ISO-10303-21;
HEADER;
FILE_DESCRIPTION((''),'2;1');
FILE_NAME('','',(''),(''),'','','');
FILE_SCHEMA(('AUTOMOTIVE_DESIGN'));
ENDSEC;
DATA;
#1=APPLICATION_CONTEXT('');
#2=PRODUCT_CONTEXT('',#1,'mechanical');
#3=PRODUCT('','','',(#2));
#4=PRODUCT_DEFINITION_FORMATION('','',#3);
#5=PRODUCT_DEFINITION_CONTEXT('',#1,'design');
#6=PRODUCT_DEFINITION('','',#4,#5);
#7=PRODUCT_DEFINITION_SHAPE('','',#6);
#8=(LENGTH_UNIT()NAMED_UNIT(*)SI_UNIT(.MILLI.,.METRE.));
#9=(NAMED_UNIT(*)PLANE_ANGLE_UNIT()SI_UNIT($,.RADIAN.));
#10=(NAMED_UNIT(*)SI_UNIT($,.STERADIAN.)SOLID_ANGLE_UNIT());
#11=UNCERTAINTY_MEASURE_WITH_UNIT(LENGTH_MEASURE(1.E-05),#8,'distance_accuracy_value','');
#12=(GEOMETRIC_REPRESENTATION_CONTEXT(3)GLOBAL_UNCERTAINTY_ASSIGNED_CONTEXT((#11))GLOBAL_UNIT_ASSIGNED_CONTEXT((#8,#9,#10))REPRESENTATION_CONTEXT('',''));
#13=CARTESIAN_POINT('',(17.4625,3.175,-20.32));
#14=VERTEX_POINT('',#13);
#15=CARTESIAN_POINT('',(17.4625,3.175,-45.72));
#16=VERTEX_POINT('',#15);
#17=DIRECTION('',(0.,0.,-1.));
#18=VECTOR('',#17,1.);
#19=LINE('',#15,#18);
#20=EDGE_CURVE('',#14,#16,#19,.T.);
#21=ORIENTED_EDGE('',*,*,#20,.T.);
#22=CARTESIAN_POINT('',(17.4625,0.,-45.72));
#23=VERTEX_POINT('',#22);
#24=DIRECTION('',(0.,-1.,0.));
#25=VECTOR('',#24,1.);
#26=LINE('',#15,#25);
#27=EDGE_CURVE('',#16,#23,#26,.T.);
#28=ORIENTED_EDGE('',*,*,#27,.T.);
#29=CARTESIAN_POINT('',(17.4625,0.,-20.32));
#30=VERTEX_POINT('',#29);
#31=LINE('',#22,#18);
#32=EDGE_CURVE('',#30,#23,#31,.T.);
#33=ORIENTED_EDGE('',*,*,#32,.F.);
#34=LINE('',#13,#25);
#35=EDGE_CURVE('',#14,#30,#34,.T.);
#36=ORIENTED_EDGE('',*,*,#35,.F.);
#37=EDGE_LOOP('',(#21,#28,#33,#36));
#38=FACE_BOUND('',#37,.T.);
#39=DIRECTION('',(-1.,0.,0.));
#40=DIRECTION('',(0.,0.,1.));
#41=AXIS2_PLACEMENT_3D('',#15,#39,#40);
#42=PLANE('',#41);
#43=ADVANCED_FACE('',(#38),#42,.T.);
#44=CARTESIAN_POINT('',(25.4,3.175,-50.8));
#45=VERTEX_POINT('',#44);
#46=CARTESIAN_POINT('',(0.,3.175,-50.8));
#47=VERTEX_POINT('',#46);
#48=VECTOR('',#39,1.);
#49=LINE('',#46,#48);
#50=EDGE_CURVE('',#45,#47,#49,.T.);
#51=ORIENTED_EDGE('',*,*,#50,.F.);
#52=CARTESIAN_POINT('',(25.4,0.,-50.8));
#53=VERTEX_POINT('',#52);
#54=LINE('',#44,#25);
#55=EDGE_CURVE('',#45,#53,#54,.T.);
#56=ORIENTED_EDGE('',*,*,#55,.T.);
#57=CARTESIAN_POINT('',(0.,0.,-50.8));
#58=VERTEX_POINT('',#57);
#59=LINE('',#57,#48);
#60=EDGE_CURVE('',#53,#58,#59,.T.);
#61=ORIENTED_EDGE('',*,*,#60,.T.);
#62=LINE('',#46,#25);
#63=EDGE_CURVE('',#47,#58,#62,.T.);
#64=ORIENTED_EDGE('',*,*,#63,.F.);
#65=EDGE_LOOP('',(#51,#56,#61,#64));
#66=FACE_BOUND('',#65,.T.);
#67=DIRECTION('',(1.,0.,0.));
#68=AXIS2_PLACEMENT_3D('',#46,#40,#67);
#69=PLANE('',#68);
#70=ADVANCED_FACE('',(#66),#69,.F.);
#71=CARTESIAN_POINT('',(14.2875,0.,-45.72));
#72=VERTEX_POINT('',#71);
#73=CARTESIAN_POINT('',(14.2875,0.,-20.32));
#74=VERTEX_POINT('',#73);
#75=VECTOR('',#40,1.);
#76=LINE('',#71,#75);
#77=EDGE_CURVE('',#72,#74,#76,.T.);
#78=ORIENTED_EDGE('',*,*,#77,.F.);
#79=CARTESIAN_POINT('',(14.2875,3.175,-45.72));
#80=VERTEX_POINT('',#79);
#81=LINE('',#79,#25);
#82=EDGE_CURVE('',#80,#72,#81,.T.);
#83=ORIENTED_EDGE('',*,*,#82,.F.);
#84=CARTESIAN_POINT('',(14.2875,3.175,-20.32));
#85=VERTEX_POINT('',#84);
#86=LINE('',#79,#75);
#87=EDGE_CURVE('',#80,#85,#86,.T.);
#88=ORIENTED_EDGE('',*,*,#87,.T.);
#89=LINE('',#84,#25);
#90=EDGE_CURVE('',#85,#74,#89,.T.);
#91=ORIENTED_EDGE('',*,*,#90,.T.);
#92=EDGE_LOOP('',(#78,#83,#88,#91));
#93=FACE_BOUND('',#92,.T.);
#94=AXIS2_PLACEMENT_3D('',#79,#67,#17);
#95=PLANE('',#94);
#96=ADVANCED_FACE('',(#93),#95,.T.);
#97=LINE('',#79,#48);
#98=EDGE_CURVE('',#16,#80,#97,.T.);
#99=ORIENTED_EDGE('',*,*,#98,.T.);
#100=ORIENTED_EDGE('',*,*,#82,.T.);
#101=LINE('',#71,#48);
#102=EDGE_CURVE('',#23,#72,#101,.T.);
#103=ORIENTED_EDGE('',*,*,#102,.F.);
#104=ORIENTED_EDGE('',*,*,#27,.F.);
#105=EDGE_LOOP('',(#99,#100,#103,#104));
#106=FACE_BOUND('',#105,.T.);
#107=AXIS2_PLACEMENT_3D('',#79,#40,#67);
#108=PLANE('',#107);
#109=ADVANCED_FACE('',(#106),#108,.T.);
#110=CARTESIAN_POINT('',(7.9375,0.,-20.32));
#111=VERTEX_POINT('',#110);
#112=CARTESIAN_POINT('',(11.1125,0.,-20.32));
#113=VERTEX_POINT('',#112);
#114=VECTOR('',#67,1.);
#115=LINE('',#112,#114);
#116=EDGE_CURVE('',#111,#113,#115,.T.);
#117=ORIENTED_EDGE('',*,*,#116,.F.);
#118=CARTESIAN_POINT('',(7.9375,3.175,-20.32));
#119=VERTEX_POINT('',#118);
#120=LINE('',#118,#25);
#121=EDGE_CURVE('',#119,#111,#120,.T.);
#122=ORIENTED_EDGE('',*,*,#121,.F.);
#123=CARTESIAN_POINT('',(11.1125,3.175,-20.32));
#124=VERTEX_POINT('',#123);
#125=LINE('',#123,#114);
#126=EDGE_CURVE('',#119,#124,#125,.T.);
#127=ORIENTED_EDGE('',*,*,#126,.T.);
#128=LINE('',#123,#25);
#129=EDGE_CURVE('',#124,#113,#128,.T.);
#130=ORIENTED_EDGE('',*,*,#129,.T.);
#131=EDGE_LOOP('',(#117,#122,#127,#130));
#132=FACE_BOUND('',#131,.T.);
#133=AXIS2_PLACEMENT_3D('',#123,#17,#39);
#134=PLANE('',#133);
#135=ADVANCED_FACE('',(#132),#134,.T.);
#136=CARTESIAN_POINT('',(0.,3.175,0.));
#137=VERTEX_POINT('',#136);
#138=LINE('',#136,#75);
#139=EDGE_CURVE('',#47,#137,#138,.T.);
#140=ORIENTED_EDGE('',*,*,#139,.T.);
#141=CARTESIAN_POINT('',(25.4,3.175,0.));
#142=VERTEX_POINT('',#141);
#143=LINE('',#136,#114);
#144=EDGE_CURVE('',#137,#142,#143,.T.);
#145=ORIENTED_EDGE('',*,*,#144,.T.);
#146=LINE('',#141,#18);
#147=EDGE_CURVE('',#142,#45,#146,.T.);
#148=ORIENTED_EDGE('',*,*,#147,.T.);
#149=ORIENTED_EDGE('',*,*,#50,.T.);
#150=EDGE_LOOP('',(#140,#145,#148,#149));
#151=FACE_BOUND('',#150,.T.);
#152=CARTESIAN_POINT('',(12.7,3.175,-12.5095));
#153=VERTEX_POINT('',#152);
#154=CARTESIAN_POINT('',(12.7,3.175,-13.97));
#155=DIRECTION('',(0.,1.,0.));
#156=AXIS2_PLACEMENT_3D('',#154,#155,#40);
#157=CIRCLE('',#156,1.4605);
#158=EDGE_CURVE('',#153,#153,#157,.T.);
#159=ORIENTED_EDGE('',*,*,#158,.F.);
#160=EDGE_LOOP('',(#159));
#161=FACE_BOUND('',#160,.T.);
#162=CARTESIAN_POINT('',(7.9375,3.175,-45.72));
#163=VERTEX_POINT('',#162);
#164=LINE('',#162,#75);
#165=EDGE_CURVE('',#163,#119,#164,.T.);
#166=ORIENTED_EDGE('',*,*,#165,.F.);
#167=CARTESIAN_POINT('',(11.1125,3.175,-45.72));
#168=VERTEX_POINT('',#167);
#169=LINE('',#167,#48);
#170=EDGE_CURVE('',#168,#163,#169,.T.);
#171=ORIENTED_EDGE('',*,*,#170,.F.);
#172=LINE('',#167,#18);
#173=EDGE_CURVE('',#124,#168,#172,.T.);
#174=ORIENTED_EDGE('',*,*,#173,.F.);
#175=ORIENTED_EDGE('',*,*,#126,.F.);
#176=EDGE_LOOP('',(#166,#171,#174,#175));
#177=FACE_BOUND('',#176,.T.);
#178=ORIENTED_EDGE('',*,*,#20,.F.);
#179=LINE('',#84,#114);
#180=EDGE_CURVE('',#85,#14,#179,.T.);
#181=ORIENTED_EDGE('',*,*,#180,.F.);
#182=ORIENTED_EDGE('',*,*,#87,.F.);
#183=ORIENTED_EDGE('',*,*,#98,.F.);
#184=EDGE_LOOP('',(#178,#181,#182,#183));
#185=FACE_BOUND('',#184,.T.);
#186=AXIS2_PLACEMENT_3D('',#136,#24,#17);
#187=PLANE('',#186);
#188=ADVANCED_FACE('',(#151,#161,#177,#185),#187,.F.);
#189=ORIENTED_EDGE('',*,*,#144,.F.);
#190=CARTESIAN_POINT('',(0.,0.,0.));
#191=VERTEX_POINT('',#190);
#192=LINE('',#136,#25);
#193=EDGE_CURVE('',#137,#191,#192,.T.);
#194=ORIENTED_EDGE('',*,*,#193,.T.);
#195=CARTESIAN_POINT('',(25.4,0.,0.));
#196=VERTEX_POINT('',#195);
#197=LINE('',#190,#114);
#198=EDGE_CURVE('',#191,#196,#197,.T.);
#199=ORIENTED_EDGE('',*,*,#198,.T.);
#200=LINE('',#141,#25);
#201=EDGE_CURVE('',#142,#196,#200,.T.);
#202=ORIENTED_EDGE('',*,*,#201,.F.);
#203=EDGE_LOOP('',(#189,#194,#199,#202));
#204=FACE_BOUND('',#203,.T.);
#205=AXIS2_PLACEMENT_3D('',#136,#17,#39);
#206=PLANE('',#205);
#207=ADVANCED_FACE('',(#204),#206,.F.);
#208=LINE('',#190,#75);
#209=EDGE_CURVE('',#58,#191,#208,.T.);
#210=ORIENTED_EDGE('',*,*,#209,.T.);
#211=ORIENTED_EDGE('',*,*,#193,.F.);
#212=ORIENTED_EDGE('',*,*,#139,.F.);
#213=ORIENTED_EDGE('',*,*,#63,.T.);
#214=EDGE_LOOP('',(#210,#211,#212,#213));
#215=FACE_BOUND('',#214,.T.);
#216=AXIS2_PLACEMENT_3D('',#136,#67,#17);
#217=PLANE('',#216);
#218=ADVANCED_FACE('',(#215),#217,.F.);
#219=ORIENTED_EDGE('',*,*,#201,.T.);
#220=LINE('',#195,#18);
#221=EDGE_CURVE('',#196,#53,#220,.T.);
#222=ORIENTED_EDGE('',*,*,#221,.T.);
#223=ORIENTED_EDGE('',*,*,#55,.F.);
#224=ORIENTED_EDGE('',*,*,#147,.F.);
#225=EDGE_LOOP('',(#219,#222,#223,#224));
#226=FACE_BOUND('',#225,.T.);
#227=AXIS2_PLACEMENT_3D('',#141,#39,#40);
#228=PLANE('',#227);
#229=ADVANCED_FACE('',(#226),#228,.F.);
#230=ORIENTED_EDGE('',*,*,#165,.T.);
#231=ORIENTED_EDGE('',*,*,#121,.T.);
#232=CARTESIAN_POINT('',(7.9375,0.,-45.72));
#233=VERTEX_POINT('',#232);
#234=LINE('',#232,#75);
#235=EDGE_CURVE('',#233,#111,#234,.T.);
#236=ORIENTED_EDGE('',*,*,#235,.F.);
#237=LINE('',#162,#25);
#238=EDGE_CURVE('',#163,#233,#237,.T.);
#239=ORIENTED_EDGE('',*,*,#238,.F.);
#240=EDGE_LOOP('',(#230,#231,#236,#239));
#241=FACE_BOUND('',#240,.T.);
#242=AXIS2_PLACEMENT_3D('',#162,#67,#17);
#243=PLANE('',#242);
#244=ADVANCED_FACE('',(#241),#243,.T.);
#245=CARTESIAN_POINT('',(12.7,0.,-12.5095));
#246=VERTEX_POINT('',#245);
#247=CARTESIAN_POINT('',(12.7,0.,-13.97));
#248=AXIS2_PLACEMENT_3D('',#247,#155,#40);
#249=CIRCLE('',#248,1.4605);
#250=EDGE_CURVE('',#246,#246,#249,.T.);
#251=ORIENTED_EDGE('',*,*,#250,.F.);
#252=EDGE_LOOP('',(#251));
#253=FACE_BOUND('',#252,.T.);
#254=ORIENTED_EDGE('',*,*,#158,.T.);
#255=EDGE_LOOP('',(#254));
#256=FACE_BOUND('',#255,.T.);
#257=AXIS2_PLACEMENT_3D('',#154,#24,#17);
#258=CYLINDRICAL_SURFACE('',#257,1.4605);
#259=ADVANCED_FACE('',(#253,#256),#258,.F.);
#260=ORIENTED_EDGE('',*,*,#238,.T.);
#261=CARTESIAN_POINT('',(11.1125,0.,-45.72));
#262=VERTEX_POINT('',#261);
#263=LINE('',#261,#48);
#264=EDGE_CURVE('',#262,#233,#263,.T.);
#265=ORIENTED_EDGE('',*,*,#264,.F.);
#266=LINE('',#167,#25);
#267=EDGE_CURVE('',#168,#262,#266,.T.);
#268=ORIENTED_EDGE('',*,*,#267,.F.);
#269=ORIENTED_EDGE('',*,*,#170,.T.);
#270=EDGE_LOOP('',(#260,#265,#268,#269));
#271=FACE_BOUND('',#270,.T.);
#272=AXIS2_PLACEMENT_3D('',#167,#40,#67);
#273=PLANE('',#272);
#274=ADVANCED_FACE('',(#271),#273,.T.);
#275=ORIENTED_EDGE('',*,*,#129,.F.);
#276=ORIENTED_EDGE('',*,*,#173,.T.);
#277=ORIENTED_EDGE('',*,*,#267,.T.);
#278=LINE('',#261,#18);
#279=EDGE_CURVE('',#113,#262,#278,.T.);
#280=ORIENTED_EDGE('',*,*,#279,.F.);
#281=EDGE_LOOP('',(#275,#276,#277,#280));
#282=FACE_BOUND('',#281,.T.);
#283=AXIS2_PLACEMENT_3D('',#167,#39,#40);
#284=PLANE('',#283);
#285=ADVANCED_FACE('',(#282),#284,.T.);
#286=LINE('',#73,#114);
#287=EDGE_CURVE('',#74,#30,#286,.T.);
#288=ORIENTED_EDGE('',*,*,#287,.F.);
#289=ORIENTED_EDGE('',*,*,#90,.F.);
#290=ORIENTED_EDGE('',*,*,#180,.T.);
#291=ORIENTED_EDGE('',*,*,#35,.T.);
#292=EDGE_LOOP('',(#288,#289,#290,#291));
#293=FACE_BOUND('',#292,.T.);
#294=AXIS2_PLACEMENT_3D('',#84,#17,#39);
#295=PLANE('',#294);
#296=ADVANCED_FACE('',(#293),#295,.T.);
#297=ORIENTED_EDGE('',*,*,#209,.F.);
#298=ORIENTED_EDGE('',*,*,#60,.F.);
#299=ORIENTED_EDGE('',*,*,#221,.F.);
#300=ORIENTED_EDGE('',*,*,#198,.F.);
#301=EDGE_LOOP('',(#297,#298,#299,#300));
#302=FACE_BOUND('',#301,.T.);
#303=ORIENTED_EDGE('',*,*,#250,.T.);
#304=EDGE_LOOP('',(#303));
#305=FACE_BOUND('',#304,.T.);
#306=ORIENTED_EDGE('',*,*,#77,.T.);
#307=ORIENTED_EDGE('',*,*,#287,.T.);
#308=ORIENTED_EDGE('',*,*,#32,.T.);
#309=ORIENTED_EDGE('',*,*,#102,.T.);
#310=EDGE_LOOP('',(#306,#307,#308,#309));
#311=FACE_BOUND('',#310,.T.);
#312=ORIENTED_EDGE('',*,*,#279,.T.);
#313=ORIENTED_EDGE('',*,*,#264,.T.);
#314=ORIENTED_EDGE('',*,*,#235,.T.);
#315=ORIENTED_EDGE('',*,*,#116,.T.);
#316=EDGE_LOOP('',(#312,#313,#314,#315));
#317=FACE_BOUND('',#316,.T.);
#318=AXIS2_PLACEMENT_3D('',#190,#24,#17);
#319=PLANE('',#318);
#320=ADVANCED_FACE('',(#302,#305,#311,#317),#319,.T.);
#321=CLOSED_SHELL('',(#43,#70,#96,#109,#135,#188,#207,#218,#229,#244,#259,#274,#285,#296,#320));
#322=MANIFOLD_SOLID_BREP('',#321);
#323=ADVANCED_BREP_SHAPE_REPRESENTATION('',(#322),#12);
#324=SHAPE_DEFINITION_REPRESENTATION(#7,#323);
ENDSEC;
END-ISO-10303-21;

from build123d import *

# Parameters (mm, degrees)
SKETCH1_W           = 25.4
SKETCH1_H           = 50.8
SKETCH1_R           = 1.4605
SKETCH1_W_2         = 3.175
SKETCH1_H_2         = 25.4
BOSS_EXTRUDE1_DEPTH = 3.175


with BuildPart() as part:
    # Sketch1 → Boss-Extrude1 (new body)
    with BuildSketch(Plane(origin=(0, 0, 0), x_dir=(1, 0, 0), z_dir=(0, 1, 0))):
        with Locations((12.7, 25.4)):
            Rectangle(SKETCH1_W, SKETCH1_H)
        with Locations(Location((12.7, 13.97, 0), (0, 0, 270))):
            Circle(SKETCH1_R, mode=Mode.SUBTRACT)
        with Locations((9.525, 33.02)):
            Rectangle(SKETCH1_W_2, SKETCH1_H_2, mode=Mode.SUBTRACT)
        with Locations((15.875, 33.02)):
            Rectangle(SKETCH1_W_2, SKETCH1_H_2, mode=Mode.SUBTRACT)
    extrude(amount=BOSS_EXTRUDE1_DEPTH)


solid = part.part
